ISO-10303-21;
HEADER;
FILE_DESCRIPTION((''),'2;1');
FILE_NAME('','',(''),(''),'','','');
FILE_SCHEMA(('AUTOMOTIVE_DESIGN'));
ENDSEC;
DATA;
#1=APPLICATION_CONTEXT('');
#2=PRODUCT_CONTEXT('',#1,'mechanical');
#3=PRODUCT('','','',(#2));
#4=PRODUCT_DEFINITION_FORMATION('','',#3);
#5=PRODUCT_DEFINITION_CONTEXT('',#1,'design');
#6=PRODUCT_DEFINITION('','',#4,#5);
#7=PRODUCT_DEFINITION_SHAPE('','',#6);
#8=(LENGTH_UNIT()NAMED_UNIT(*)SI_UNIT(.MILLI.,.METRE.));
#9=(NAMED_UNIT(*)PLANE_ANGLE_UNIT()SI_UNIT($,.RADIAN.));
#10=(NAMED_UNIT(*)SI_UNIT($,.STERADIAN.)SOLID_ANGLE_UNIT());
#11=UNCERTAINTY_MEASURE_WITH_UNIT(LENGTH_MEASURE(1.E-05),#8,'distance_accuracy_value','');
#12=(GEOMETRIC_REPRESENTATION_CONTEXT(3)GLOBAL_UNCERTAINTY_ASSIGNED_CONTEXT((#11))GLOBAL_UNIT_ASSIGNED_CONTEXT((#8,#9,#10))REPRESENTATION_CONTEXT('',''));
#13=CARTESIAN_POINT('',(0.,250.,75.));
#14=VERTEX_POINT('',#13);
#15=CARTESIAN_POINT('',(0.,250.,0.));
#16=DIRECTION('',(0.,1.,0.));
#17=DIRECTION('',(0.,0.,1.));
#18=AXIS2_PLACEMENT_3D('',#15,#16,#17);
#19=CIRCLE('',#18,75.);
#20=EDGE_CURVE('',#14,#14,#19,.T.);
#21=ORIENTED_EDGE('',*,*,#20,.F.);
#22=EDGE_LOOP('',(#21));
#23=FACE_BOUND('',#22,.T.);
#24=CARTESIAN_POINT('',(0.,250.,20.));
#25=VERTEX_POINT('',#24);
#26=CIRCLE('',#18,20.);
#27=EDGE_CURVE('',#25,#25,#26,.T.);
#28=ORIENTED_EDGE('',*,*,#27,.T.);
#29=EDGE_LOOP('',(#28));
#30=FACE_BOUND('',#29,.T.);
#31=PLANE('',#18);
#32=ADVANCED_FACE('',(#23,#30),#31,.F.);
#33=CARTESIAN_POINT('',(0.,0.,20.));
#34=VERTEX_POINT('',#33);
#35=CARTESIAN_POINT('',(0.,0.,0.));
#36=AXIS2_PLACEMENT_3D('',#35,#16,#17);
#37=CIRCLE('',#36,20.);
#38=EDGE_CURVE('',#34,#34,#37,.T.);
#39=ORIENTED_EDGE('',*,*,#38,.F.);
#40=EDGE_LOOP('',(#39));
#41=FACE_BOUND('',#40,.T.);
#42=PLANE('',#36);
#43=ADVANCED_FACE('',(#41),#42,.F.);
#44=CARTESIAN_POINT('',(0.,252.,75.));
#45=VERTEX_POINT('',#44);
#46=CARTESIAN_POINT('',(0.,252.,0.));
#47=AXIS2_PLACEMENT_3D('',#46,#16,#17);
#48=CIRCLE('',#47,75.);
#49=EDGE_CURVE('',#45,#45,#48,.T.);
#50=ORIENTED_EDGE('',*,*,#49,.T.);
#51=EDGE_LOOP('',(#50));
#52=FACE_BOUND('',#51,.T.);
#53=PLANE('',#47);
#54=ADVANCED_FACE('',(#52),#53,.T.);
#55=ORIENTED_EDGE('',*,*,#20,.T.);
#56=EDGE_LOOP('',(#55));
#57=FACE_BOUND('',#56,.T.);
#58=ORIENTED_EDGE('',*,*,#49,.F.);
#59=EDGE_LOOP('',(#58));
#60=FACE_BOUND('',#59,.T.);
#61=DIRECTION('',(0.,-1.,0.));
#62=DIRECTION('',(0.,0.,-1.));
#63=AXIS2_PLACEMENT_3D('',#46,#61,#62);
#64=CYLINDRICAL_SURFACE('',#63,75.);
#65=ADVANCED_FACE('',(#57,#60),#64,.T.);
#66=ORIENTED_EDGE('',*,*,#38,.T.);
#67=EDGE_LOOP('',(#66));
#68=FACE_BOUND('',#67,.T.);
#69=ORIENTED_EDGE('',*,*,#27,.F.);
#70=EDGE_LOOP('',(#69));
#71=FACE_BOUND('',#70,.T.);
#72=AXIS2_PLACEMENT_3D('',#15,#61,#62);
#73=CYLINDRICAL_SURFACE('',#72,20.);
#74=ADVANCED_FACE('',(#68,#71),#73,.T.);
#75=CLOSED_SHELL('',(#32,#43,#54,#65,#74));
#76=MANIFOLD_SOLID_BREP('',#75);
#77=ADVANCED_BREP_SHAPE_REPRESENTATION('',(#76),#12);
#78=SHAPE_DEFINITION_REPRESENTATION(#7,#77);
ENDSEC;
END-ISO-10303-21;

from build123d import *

# Parameters (mm, degrees)
ESQUISSE1_R      = 20
EXTRUSION1_DEPTH = 250
ESQUISSE2_R      = 75
EXTRUSION2_DEPTH = 2


with BuildPart() as part:
    # Esquisse1 → Extrusion1 (new body)
    with BuildSketch(Plane(origin=(0, 0, 0), x_dir=(1, 0, 0), z_dir=(0, 1, 0))):
        Circle(ESQUISSE1_R)
    extrude(amount=EXTRUSION1_DEPTH)

    # Esquisse2 → Extrusion2 (add)
    with BuildSketch(Plane(origin=(0, 250, 0), x_dir=(-1, 0, 0), z_dir=(0, 1, 0))):
        Circle(ESQUISSE2_R)
    extrude(amount=EXTRUSION2_DEPTH)


solid = part.part
